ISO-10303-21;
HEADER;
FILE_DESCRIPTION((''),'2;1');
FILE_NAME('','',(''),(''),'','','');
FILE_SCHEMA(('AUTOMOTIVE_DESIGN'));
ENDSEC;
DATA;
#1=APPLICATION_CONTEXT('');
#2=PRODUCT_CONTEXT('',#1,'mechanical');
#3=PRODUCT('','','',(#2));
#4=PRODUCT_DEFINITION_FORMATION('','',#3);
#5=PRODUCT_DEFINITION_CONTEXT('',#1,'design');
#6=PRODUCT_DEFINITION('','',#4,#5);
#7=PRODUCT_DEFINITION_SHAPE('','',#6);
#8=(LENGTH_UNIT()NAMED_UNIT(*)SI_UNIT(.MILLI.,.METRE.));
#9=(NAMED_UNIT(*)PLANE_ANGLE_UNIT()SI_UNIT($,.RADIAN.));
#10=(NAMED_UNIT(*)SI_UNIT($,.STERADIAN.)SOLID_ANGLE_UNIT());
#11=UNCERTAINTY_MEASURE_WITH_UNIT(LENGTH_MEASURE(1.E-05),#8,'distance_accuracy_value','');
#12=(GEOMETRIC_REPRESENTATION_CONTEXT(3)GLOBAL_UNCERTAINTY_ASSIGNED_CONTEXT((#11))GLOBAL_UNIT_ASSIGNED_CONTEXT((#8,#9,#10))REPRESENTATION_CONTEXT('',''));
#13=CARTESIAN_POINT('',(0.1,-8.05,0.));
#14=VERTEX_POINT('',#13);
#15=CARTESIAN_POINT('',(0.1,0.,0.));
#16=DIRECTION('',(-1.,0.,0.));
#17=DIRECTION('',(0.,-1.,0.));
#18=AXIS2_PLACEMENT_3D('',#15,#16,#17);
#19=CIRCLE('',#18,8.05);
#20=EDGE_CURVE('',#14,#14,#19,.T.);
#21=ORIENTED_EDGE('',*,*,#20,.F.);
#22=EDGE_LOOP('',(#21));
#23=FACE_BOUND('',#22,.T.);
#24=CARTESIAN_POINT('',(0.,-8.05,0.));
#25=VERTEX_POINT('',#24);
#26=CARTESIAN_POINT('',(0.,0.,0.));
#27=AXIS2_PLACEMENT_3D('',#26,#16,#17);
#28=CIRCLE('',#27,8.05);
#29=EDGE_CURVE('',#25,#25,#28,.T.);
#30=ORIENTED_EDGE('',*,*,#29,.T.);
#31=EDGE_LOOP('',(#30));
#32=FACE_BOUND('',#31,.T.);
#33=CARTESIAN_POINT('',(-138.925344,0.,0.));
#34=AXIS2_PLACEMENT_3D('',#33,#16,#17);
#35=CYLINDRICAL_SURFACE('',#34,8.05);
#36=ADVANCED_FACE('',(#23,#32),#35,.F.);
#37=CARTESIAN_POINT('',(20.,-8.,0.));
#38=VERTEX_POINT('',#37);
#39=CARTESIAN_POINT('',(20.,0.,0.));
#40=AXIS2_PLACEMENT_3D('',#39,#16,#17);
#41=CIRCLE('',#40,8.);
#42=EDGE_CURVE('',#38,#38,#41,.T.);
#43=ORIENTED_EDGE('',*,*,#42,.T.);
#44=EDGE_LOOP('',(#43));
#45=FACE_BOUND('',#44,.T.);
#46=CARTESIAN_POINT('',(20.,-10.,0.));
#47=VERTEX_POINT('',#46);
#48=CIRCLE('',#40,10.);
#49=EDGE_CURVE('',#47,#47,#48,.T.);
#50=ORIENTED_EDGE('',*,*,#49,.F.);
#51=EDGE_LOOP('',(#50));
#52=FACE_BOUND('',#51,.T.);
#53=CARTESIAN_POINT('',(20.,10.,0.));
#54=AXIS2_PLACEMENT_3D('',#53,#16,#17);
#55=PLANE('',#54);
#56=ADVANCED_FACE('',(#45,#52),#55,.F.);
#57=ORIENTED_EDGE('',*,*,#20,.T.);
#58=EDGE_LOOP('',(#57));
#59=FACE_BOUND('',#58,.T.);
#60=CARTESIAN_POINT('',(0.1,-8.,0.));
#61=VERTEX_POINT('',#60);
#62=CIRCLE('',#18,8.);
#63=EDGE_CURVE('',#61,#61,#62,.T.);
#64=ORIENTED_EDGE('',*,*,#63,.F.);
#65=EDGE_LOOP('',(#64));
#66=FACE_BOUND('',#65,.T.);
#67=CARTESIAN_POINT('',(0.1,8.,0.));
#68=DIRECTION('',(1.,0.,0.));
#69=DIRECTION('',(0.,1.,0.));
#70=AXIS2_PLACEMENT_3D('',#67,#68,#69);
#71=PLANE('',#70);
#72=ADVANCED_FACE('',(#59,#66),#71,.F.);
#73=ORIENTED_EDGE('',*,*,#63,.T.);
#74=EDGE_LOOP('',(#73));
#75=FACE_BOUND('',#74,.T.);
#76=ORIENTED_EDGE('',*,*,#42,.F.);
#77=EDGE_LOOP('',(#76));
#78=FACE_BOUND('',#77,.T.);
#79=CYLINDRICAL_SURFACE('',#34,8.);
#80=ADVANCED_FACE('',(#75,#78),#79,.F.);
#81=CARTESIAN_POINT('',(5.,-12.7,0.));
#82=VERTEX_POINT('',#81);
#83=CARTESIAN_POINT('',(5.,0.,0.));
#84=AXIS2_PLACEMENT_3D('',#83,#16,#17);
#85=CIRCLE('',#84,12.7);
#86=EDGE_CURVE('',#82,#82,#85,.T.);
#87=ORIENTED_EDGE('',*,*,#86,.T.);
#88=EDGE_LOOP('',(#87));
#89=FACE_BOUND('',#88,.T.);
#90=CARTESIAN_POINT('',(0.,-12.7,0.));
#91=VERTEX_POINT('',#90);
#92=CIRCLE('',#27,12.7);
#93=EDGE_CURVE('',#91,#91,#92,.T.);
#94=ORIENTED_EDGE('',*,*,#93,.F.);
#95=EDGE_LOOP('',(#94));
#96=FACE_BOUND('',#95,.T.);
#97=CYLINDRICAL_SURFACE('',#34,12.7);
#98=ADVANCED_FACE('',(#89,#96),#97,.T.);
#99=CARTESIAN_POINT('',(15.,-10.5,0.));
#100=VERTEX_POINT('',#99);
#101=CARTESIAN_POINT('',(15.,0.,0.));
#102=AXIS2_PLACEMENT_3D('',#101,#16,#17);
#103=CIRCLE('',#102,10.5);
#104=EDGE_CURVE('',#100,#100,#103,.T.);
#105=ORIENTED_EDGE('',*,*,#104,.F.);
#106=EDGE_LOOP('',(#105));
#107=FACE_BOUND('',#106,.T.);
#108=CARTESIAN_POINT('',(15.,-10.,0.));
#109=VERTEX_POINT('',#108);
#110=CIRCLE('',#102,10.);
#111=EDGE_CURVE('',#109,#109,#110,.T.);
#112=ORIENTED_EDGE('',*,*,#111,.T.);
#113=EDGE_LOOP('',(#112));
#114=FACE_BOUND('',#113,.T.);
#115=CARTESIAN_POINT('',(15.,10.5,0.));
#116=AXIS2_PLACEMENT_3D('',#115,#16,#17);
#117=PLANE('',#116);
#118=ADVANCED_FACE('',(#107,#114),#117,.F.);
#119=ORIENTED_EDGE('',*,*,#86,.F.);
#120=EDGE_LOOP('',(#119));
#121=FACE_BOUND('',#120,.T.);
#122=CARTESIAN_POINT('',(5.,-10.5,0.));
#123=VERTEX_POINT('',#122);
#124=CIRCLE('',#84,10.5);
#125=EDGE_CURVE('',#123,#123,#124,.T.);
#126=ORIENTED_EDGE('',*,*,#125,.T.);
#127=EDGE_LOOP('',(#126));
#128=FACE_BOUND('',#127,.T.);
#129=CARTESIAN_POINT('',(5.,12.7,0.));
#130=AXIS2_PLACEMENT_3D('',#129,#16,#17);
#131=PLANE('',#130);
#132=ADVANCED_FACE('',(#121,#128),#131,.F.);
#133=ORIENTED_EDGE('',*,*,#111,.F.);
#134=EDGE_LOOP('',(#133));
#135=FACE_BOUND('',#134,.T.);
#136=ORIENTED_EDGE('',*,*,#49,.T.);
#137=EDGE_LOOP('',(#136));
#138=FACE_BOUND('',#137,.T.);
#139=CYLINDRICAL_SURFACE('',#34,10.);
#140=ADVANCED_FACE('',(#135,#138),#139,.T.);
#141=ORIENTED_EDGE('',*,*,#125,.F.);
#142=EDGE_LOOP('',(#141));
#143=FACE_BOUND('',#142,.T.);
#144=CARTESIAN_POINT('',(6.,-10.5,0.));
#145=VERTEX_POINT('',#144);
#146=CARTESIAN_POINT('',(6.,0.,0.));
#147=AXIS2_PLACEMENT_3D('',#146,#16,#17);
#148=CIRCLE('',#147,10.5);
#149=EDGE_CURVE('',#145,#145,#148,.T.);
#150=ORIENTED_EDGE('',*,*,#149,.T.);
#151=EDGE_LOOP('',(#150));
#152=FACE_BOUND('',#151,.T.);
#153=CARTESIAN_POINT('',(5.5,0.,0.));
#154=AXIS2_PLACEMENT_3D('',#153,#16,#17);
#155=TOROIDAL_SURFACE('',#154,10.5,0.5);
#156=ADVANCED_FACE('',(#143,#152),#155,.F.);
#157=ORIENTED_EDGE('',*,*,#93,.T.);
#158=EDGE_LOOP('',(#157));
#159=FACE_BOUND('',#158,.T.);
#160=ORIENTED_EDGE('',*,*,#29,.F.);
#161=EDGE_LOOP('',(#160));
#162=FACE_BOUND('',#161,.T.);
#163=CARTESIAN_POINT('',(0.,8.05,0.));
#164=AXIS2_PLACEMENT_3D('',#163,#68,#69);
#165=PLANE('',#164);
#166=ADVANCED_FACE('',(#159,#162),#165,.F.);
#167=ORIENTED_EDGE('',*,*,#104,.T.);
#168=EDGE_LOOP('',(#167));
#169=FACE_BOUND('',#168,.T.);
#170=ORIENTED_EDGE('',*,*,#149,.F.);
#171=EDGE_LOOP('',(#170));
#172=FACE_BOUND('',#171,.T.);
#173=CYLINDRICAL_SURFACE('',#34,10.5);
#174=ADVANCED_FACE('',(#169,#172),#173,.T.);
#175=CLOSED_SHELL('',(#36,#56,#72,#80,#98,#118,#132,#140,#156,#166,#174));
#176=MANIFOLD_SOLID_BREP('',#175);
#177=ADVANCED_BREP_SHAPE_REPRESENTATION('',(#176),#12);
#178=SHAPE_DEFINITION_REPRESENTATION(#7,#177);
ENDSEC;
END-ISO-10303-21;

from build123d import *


with BuildPart() as part:
    # Esboço1 → Revolução1 (revolve)
    with BuildSketch(Plane.XY, mode=Mode.PRIVATE) as revolu_o1_sk:
        with BuildLine():
            Line((0, 8.05), (0, 12.7))
            Line((0, 12.7), (5, 12.7))
            Line((5, 12.7), (5, 10.5))
            ThreePointArc((5, 10.5), (5.5, 10), (6, 10.5))
            Line((6, 10.5), (15, 10.5))
            Line((15, 10.5), (15, 10))
            Line((15, 10), (20, 10))
            Line((20, 10), (20, 8))
            Line((20, 8), (0.1, 8))
            Line((0.1, 8), (0.1, 8.05))
            Line((0.1, 8.05), (0, 8.05))
        make_face()
    revolve(revolu_o1_sk.sketch.rotate(Axis((-138.925343643, 0, 0), (1, 0, 0)), 180), axis=Axis((-138.925343643, 0, 0), (1, 0, 0)))  # turned: the seam where the file's is


solid = part.part
